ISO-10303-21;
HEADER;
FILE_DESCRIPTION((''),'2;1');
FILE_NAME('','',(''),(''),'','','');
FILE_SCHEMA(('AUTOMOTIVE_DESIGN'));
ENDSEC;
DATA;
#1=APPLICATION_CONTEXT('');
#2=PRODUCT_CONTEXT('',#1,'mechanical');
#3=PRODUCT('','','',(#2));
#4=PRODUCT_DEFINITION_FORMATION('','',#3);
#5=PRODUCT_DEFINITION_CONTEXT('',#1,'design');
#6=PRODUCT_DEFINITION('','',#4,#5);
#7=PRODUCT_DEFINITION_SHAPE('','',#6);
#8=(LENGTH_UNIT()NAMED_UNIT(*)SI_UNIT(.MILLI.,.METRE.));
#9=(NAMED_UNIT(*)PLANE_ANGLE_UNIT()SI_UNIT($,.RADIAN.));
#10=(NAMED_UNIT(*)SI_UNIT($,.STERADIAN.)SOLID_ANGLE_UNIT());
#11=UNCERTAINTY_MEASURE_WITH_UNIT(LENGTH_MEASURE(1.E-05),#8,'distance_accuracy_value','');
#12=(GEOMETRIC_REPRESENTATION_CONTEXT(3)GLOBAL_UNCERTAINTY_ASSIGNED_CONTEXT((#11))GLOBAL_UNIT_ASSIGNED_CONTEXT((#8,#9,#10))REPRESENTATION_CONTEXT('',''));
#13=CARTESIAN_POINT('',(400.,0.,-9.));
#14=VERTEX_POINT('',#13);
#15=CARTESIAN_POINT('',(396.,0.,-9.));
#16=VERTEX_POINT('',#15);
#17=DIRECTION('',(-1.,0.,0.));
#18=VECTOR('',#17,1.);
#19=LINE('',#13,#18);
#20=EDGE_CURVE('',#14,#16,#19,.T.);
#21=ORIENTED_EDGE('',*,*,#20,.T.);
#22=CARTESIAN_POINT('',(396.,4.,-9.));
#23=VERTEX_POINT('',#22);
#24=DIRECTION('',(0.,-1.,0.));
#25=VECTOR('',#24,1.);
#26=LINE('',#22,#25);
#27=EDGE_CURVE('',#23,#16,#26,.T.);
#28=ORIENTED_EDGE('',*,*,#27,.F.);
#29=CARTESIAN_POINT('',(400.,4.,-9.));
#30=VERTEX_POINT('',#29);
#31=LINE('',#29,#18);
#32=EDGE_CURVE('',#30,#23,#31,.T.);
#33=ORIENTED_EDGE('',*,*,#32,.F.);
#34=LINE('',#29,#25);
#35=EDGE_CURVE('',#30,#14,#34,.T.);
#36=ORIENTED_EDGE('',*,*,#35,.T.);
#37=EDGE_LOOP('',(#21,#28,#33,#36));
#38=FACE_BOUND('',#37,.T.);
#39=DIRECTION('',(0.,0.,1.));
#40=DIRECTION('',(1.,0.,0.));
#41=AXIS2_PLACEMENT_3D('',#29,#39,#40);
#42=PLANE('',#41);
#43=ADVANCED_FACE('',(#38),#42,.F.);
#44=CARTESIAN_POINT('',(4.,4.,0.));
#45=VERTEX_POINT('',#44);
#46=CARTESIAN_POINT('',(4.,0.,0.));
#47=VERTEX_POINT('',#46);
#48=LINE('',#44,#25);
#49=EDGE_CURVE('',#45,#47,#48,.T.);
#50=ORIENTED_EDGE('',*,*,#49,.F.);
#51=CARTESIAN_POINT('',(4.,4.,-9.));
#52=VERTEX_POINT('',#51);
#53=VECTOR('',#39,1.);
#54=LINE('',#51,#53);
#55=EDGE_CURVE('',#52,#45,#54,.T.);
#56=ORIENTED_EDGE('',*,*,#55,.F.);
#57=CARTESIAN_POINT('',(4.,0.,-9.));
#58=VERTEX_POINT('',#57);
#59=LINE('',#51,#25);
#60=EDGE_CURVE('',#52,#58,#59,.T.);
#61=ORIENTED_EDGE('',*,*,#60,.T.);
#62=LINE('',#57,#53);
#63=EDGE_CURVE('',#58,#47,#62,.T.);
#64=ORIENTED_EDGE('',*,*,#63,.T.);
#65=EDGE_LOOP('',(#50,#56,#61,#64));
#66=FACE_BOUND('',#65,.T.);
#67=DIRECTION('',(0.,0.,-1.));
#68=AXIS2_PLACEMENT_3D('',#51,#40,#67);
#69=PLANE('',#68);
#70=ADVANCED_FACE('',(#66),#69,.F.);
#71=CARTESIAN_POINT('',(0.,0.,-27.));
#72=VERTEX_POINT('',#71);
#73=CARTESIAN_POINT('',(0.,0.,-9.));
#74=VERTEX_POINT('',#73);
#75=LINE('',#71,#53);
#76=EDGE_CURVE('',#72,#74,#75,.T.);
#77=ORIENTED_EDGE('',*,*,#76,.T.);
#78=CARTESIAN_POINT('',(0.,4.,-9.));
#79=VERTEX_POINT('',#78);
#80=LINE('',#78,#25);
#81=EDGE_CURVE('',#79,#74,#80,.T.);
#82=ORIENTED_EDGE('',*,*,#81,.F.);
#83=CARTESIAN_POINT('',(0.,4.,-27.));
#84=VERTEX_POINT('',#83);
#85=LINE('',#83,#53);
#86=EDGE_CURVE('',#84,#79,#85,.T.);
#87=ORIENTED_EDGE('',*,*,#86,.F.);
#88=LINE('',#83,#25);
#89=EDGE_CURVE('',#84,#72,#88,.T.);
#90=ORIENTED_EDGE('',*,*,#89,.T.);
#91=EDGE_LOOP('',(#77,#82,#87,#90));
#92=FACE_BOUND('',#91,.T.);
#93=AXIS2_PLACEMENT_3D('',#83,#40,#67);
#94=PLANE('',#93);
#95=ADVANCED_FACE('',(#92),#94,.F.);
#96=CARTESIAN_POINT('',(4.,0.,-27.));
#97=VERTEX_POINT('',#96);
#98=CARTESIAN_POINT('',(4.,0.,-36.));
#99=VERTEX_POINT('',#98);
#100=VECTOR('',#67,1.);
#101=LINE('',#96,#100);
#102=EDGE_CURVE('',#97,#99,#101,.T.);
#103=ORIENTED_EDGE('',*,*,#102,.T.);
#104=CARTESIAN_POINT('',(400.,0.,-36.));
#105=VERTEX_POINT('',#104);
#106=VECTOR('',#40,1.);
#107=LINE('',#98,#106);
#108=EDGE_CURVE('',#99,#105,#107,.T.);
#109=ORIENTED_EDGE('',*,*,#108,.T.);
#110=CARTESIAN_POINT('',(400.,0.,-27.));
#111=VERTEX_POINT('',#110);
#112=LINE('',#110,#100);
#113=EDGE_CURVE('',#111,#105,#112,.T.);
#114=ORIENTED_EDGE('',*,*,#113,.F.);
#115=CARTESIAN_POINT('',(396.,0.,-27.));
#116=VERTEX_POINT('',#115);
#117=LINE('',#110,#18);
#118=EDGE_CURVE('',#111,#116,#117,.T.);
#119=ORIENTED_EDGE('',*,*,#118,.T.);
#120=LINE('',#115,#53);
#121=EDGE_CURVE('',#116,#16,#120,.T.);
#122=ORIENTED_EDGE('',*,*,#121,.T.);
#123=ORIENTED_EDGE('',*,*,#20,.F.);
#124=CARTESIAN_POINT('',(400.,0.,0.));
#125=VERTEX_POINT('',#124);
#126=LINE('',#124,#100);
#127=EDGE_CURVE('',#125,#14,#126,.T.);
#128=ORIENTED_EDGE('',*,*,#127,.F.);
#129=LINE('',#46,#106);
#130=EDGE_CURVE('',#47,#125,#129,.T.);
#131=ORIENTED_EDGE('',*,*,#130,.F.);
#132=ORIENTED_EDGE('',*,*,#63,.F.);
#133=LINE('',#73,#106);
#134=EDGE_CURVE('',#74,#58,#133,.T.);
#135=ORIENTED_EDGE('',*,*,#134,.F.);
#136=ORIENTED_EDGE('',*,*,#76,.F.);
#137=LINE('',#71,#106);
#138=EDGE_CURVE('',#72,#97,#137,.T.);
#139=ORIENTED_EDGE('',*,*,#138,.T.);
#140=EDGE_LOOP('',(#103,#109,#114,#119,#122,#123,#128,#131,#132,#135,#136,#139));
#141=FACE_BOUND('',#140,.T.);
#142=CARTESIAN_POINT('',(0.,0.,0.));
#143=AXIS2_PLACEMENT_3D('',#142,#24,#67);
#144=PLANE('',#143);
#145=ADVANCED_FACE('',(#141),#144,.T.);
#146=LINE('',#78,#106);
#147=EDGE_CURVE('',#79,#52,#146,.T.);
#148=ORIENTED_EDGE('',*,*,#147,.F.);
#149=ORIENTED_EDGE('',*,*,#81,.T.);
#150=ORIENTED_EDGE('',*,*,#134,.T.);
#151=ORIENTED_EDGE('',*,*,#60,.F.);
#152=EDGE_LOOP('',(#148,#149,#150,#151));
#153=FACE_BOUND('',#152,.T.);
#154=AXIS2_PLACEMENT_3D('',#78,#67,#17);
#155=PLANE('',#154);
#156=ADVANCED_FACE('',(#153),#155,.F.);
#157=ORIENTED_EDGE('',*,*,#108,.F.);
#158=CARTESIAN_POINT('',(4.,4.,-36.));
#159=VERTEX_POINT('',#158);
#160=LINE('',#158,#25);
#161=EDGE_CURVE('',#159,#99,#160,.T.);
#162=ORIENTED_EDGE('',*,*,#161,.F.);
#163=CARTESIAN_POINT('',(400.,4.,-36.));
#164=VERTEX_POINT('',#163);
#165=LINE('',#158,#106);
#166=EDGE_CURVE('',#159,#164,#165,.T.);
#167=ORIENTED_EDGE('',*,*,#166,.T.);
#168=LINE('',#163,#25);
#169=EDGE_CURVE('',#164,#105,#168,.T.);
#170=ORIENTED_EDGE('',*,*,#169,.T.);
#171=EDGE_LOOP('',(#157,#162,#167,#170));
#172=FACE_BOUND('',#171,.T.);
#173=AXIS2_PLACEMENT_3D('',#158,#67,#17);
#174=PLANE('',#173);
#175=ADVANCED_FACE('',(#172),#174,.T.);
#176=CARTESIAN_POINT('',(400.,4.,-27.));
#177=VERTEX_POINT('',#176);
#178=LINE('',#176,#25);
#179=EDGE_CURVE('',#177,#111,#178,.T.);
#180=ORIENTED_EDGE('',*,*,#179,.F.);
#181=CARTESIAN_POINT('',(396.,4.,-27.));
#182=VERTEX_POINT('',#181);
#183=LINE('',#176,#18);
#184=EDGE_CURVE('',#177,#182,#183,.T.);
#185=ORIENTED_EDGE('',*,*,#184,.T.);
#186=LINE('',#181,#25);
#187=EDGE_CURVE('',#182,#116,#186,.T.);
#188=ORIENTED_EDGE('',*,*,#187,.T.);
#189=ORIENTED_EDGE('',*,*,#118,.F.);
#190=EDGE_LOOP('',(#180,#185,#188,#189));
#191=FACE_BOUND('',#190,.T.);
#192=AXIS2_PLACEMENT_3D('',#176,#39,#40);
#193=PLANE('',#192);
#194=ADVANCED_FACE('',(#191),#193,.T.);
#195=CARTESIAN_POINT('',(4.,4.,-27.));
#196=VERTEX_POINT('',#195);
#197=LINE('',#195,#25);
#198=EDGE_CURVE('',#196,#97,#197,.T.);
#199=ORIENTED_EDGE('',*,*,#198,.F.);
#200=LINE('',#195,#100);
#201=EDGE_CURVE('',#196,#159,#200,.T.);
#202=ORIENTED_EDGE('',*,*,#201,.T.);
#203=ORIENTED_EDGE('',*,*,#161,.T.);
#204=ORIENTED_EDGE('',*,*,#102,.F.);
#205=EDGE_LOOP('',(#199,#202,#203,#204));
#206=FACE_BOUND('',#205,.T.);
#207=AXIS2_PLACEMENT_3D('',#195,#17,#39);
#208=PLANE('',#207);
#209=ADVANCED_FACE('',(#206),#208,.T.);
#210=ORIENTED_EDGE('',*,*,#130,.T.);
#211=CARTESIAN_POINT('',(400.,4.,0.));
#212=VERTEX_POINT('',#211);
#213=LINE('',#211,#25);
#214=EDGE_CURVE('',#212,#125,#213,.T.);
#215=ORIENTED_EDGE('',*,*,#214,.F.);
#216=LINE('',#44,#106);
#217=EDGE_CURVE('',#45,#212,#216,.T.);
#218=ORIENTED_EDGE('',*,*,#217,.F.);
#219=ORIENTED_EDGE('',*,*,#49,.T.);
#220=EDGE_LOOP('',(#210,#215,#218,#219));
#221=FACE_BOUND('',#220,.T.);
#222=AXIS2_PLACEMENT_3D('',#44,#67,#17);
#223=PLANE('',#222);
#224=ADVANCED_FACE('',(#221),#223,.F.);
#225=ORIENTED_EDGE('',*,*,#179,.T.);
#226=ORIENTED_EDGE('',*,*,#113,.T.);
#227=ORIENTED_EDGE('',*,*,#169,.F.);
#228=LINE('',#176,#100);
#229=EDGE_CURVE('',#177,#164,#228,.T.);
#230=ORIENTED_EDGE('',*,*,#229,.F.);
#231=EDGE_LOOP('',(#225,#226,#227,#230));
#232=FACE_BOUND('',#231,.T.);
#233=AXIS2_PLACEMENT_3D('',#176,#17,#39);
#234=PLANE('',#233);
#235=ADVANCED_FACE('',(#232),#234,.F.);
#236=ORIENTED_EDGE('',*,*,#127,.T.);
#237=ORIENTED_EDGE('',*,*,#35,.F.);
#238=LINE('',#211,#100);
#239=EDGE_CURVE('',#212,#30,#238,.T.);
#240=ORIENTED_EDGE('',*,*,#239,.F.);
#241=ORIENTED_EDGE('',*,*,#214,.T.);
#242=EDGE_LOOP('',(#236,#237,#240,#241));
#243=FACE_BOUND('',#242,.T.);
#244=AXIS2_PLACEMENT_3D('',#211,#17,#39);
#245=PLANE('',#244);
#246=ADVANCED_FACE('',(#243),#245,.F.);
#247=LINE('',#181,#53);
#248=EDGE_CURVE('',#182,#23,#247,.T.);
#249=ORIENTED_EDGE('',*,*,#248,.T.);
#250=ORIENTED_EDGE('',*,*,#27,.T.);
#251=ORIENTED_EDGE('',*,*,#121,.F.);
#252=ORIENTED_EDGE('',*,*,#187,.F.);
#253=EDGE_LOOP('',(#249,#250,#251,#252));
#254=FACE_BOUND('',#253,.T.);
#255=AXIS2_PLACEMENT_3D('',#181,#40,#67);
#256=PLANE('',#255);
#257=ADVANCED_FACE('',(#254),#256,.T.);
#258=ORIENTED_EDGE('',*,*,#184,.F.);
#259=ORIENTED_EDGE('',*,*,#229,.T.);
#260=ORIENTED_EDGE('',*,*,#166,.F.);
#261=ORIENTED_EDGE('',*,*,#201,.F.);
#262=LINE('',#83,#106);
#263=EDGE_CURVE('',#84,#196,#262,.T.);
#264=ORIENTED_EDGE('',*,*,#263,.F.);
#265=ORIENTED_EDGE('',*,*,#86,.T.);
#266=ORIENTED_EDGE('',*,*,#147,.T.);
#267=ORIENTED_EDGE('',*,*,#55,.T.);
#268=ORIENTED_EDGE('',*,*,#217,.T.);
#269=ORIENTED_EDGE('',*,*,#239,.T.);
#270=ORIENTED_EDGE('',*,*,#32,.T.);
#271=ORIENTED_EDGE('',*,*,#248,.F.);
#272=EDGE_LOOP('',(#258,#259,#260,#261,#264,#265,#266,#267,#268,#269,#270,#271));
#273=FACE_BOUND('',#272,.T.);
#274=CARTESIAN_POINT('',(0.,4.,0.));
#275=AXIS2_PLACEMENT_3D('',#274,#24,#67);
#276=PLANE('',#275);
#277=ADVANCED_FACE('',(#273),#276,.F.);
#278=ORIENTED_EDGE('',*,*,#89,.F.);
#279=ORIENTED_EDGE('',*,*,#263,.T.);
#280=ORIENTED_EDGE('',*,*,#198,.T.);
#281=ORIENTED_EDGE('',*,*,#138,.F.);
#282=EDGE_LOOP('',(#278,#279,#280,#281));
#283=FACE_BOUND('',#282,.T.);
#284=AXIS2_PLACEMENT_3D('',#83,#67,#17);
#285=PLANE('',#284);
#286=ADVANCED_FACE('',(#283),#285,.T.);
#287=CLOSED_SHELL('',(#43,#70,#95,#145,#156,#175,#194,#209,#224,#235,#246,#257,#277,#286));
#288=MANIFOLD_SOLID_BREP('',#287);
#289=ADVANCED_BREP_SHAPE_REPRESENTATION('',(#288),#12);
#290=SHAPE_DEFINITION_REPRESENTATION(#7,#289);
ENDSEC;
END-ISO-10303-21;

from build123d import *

# Parameters (mm, degrees)
BOSS_EXTRUDE1_DEPTH = 4


with BuildPart() as part:
    # Sketch2 → Boss-Extrude1 (new body)
    with BuildSketch(Plane(origin=(0, 0, 0), x_dir=(1, 0, 0), z_dir=(0, 1, 0))):
        Polygon((4, 27), (4, 36), (400, 36), (400, 27), (396, 27), (396, 9), (400, 9), (400, 0), (4, 0), (4, 9), (0, 9), (0, 27), align=None)
    extrude(amount=BOSS_EXTRUDE1_DEPTH)


solid = part.part
